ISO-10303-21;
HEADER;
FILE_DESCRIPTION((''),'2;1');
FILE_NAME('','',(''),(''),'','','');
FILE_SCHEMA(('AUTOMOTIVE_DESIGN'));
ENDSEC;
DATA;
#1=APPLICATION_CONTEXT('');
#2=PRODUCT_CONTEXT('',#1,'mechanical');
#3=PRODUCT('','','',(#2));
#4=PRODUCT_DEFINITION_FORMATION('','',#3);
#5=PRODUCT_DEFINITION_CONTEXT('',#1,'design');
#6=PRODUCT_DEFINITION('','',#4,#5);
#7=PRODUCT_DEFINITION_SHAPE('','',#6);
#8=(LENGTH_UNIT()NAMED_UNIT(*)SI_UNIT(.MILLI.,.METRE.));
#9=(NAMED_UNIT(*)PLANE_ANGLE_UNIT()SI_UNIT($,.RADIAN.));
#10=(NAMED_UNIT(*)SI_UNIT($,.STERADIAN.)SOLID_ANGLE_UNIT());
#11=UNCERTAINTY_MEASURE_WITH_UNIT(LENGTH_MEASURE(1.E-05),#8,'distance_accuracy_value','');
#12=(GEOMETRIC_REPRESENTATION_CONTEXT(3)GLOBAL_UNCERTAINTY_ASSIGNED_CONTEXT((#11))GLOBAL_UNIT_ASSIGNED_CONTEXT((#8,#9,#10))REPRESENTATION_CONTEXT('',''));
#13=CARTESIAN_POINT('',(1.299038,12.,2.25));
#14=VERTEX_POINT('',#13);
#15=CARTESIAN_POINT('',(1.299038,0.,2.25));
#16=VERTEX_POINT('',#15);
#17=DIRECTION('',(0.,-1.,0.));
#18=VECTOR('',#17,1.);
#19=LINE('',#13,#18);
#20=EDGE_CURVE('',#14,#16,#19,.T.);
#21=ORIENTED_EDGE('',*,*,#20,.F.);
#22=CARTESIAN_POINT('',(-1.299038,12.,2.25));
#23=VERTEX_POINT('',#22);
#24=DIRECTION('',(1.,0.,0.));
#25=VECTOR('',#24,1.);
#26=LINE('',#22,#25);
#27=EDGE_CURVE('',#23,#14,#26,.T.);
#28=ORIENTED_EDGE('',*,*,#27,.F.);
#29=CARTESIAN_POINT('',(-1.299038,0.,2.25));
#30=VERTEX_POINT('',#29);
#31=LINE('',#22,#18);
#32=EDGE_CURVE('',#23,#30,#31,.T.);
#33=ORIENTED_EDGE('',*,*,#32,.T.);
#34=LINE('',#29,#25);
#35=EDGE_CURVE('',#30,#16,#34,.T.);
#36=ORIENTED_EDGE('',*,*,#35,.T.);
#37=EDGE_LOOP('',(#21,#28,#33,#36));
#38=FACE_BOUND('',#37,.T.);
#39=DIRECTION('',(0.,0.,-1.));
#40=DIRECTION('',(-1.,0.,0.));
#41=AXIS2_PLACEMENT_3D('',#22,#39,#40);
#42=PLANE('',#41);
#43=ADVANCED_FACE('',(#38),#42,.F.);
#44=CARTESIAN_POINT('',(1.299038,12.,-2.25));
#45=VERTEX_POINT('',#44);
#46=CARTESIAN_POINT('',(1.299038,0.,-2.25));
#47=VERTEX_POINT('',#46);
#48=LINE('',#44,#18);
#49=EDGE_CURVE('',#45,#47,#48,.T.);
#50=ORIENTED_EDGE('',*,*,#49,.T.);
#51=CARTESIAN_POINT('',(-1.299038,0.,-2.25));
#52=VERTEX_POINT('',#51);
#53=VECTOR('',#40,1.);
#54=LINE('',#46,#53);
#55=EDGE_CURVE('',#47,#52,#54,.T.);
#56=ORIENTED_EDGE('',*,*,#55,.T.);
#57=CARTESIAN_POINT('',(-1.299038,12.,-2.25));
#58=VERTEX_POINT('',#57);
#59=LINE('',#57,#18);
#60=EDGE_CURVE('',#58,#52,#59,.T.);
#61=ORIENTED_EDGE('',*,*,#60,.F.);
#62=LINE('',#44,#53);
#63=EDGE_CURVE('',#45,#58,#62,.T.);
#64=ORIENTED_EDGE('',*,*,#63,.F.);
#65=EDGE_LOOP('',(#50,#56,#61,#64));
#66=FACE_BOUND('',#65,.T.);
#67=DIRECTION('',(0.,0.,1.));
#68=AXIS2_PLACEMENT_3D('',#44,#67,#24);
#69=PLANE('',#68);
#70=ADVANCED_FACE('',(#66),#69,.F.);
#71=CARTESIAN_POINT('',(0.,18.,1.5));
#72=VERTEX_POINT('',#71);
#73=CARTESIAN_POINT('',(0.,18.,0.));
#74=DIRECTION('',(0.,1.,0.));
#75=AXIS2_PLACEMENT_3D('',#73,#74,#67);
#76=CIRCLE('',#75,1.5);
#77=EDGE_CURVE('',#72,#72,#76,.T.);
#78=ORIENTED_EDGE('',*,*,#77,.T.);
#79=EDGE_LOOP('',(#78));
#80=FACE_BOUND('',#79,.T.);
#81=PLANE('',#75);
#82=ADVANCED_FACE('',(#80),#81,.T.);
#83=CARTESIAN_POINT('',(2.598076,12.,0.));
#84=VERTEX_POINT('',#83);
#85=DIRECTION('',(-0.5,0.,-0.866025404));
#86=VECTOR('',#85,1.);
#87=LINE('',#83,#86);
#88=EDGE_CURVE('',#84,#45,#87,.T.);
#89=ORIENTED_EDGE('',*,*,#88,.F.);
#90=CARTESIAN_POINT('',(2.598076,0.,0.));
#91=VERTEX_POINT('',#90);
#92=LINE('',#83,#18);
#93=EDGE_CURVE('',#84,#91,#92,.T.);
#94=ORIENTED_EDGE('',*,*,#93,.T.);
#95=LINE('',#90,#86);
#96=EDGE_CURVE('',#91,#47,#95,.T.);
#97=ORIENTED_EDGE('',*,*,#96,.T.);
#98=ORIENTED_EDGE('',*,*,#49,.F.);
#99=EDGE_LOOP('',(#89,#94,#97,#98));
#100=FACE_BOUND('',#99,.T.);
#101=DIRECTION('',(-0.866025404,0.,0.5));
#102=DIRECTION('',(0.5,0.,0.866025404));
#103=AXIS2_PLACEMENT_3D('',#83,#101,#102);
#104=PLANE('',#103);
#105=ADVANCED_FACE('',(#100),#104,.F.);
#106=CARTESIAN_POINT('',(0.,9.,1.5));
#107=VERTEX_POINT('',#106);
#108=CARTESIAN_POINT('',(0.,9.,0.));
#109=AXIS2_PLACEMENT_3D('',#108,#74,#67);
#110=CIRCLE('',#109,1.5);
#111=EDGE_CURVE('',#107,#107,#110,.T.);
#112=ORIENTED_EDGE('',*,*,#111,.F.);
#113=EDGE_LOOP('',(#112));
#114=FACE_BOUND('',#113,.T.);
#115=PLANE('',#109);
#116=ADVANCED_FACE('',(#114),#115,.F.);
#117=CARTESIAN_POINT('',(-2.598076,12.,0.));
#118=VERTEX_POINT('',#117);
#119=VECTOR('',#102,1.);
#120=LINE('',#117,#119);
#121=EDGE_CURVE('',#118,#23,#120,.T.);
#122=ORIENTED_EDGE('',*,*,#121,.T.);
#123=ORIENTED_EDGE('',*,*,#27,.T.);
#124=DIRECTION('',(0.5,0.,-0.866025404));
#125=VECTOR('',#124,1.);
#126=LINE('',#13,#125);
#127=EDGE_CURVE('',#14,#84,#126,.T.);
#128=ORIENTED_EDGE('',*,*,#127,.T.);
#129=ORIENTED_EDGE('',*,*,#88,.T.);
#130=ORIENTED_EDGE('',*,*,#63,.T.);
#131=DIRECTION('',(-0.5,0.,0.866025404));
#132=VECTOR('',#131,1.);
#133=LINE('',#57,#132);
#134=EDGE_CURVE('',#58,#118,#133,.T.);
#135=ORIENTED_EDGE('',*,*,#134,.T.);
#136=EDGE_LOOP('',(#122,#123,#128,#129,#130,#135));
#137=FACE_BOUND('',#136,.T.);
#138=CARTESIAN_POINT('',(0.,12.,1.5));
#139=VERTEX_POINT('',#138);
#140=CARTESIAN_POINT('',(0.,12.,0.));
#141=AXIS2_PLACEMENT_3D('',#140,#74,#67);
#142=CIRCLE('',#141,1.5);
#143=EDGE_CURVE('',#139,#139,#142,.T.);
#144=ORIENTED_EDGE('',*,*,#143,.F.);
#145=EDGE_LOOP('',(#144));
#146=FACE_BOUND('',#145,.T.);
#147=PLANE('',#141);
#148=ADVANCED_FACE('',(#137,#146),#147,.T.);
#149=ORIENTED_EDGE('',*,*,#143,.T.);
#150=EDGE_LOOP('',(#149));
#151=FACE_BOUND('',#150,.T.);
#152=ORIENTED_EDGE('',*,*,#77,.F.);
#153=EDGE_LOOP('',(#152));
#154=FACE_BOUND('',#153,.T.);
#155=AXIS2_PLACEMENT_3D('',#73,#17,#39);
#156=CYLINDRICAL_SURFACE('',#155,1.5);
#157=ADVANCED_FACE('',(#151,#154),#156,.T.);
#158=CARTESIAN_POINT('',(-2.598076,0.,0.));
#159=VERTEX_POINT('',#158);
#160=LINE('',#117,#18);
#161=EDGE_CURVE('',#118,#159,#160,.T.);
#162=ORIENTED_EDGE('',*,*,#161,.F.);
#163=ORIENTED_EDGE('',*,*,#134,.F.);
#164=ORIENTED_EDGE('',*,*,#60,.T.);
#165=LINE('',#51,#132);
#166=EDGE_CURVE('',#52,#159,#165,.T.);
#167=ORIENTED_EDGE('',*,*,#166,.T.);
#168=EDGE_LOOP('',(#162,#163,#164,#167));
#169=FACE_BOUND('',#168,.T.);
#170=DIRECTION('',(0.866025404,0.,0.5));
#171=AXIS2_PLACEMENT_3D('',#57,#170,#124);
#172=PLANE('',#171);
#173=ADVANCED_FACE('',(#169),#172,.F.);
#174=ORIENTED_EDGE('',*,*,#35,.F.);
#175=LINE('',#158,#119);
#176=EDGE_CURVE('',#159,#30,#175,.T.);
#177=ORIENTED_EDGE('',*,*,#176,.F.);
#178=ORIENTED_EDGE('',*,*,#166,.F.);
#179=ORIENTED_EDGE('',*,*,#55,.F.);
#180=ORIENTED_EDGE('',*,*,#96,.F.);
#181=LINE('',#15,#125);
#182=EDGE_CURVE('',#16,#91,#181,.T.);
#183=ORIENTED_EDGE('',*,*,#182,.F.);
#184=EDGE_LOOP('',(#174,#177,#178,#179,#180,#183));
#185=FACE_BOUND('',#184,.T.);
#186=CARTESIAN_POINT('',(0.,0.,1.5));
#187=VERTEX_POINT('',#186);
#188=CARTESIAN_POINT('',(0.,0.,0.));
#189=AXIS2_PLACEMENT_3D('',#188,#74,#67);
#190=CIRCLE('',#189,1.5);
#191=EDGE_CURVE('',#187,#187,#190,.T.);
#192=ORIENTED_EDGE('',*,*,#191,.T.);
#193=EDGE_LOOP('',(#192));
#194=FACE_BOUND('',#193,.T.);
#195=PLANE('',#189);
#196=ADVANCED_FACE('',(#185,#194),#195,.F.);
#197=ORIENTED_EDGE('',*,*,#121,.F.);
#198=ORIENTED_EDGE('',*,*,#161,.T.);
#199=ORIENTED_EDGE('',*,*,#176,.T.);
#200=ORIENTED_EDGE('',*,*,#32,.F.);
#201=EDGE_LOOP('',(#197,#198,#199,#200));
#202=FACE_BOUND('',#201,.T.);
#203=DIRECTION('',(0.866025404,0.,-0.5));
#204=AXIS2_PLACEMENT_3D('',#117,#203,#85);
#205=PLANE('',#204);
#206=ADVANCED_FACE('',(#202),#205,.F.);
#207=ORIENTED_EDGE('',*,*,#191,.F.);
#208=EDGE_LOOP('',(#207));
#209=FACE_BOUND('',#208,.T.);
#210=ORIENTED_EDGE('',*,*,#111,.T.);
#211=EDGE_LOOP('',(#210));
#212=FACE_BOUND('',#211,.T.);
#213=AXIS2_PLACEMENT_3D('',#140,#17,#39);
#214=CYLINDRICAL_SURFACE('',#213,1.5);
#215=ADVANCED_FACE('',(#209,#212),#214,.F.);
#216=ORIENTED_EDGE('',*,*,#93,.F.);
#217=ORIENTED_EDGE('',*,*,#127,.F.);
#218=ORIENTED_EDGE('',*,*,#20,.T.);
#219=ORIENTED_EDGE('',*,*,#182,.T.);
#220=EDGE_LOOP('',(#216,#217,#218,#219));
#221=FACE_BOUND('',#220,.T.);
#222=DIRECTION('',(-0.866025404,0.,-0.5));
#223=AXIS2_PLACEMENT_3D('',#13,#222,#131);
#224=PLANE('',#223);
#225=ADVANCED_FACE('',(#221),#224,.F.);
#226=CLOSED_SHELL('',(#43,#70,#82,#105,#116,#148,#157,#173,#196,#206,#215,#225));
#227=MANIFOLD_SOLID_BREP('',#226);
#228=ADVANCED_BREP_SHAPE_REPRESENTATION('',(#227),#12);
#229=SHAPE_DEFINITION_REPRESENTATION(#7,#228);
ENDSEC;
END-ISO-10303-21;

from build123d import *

# Parameters (mm, degrees)
SKETCH1_R           = 1.5
BOSS_EXTRUDE1_DEPTH = 12
BOSS_EXTRUDE2_DEPTH = 3
SKETCH3_R           = 1.5
BOSS_EXTRUDE3_DEPTH = 6


with BuildPart() as part:
    # Sketch1 → Boss-Extrude1 (new body)
    with BuildSketch(Plane(origin=(0, 0, 0), x_dir=(1, 0, 0), z_dir=(0, 1, 0))):
        Polygon((2.598076211, 0), (1.299038106, 2.25), (-1.299038106, 2.25), (-2.598076211, 0), (-1.299038106, -2.25), (1.299038106, -2.25), align=None)
        with Locations(Location((0, 0, 0), (0, 0, 270))):
            Circle(SKETCH1_R, mode=Mode.SUBTRACT)
    extrude(amount=BOSS_EXTRUDE1_DEPTH)

    # Sketch2 → Boss-Extrude2 (add)
    with BuildSketch(Plane(origin=(0, 12, 0), x_dir=(1, 0, 0), z_dir=(0, 1, 0))):
        Polygon((2.598076211, 0), (1.299038106, 2.25), (-1.299038106, 2.25), (-2.598076211, 0), (-1.299038106, -2.25), (1.299038106, -2.25), align=None)
    extrude(amount=-BOSS_EXTRUDE2_DEPTH)

    # Sketch3 → Boss-Extrude3 (add)
    with BuildSketch(Plane(origin=(0, 12, 0), x_dir=(1, 0, 0), z_dir=(0, 1, 0))):
        with Locations(Location((0, 0, 0), (0, 0, 270))):
            Circle(SKETCH3_R)
    extrude(amount=BOSS_EXTRUDE3_DEPTH)


solid = part.part
